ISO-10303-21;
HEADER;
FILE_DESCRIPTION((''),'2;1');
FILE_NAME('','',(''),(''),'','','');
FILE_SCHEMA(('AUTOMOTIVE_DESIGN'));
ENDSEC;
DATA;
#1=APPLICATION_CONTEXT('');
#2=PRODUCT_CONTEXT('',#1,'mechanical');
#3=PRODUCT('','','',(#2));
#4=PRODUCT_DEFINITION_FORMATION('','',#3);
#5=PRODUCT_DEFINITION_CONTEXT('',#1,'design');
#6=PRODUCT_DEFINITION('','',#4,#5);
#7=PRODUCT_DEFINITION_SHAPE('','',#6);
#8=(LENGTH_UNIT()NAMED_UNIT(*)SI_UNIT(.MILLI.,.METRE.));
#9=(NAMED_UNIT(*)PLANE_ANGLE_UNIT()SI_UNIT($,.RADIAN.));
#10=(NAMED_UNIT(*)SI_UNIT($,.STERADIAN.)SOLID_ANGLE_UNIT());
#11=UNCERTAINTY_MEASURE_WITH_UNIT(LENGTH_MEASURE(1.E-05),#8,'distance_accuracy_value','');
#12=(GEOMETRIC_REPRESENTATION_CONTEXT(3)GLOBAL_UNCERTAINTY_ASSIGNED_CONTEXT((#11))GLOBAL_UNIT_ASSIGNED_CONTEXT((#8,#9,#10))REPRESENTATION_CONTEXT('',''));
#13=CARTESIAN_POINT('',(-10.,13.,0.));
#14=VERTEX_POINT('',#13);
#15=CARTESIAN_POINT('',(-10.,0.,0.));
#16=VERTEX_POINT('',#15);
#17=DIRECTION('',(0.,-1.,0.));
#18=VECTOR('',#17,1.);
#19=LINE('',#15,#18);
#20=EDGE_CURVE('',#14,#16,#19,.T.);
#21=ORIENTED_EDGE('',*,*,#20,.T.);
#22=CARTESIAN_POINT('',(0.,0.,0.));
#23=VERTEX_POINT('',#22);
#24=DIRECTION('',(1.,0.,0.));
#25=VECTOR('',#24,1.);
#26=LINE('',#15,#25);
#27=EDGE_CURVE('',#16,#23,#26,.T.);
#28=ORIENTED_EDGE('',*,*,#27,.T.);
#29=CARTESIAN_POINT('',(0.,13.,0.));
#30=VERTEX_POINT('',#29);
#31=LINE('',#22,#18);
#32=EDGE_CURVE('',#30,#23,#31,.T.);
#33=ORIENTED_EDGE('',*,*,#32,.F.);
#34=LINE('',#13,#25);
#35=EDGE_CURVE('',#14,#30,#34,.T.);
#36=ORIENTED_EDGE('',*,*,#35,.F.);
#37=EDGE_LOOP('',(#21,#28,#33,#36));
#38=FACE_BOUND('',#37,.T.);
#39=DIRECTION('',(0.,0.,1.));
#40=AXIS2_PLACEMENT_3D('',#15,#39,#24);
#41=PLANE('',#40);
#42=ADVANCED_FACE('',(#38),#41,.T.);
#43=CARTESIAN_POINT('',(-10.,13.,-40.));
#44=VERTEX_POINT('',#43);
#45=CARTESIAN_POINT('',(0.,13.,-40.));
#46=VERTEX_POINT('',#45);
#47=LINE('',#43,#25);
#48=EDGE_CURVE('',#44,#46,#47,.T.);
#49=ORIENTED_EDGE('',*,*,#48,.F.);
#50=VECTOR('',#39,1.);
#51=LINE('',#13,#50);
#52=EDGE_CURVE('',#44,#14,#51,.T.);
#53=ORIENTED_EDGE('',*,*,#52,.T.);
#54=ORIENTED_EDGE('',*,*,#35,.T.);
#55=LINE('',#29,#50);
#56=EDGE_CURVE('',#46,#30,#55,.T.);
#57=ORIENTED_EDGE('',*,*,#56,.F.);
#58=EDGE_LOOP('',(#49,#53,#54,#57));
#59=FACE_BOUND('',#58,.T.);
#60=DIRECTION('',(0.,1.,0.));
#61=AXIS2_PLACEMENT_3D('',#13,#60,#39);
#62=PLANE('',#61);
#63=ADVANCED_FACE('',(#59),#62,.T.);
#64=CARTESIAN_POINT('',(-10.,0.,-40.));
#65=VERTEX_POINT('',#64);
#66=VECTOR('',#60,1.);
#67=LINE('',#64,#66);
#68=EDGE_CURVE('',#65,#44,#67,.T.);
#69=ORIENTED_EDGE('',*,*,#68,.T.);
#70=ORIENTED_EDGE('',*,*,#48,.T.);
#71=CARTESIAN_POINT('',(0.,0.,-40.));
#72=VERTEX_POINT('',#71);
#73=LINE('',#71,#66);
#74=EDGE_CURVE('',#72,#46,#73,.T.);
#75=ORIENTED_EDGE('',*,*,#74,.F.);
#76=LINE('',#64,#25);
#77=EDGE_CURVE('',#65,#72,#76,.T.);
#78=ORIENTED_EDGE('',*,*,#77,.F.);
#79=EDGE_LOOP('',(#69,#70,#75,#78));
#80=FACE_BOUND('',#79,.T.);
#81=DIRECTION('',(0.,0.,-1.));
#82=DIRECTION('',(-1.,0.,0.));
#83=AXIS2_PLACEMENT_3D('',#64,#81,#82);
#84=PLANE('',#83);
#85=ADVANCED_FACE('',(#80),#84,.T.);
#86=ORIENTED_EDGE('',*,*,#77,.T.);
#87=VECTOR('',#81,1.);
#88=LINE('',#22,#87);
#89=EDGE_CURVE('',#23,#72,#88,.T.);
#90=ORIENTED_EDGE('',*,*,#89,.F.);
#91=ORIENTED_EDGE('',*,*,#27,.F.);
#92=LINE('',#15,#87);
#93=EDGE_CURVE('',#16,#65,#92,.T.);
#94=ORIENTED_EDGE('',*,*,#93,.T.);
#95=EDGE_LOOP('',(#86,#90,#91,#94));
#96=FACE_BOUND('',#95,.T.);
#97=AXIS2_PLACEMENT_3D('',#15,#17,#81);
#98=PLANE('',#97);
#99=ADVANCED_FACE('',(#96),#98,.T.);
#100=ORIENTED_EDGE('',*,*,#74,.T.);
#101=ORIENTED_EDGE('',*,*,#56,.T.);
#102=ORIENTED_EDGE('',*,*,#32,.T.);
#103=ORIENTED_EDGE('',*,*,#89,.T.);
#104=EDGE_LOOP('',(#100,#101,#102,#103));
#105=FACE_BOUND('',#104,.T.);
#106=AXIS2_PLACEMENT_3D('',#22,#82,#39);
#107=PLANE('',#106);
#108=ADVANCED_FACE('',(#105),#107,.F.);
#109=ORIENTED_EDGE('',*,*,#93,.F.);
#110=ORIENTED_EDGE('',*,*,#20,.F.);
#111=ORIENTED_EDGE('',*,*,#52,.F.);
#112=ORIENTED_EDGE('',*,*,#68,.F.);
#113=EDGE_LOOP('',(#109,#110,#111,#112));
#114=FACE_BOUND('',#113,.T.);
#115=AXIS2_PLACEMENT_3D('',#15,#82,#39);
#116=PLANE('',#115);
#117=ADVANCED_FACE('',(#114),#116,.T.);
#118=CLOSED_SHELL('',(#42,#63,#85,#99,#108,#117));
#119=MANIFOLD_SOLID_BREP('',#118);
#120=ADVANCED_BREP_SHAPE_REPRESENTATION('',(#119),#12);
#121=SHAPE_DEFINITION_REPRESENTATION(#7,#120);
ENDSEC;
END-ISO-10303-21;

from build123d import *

# Parameters (mm, degrees)
SKETCH1_W           = 40
SKETCH1_H           = 13
BOSS_EXTRUDE1_DEPTH = 10


with BuildPart() as part:
    # Sketch1 → Boss-Extrude1 (new body)
    with BuildSketch(Plane(origin=(0, 0, 0), x_dir=(0, 0, -1), z_dir=(1, 0, 0))):
        with Locations((20, 6.5)):
            Rectangle(SKETCH1_W, SKETCH1_H)
    extrude(amount=-BOSS_EXTRUDE1_DEPTH)


solid = part.part
